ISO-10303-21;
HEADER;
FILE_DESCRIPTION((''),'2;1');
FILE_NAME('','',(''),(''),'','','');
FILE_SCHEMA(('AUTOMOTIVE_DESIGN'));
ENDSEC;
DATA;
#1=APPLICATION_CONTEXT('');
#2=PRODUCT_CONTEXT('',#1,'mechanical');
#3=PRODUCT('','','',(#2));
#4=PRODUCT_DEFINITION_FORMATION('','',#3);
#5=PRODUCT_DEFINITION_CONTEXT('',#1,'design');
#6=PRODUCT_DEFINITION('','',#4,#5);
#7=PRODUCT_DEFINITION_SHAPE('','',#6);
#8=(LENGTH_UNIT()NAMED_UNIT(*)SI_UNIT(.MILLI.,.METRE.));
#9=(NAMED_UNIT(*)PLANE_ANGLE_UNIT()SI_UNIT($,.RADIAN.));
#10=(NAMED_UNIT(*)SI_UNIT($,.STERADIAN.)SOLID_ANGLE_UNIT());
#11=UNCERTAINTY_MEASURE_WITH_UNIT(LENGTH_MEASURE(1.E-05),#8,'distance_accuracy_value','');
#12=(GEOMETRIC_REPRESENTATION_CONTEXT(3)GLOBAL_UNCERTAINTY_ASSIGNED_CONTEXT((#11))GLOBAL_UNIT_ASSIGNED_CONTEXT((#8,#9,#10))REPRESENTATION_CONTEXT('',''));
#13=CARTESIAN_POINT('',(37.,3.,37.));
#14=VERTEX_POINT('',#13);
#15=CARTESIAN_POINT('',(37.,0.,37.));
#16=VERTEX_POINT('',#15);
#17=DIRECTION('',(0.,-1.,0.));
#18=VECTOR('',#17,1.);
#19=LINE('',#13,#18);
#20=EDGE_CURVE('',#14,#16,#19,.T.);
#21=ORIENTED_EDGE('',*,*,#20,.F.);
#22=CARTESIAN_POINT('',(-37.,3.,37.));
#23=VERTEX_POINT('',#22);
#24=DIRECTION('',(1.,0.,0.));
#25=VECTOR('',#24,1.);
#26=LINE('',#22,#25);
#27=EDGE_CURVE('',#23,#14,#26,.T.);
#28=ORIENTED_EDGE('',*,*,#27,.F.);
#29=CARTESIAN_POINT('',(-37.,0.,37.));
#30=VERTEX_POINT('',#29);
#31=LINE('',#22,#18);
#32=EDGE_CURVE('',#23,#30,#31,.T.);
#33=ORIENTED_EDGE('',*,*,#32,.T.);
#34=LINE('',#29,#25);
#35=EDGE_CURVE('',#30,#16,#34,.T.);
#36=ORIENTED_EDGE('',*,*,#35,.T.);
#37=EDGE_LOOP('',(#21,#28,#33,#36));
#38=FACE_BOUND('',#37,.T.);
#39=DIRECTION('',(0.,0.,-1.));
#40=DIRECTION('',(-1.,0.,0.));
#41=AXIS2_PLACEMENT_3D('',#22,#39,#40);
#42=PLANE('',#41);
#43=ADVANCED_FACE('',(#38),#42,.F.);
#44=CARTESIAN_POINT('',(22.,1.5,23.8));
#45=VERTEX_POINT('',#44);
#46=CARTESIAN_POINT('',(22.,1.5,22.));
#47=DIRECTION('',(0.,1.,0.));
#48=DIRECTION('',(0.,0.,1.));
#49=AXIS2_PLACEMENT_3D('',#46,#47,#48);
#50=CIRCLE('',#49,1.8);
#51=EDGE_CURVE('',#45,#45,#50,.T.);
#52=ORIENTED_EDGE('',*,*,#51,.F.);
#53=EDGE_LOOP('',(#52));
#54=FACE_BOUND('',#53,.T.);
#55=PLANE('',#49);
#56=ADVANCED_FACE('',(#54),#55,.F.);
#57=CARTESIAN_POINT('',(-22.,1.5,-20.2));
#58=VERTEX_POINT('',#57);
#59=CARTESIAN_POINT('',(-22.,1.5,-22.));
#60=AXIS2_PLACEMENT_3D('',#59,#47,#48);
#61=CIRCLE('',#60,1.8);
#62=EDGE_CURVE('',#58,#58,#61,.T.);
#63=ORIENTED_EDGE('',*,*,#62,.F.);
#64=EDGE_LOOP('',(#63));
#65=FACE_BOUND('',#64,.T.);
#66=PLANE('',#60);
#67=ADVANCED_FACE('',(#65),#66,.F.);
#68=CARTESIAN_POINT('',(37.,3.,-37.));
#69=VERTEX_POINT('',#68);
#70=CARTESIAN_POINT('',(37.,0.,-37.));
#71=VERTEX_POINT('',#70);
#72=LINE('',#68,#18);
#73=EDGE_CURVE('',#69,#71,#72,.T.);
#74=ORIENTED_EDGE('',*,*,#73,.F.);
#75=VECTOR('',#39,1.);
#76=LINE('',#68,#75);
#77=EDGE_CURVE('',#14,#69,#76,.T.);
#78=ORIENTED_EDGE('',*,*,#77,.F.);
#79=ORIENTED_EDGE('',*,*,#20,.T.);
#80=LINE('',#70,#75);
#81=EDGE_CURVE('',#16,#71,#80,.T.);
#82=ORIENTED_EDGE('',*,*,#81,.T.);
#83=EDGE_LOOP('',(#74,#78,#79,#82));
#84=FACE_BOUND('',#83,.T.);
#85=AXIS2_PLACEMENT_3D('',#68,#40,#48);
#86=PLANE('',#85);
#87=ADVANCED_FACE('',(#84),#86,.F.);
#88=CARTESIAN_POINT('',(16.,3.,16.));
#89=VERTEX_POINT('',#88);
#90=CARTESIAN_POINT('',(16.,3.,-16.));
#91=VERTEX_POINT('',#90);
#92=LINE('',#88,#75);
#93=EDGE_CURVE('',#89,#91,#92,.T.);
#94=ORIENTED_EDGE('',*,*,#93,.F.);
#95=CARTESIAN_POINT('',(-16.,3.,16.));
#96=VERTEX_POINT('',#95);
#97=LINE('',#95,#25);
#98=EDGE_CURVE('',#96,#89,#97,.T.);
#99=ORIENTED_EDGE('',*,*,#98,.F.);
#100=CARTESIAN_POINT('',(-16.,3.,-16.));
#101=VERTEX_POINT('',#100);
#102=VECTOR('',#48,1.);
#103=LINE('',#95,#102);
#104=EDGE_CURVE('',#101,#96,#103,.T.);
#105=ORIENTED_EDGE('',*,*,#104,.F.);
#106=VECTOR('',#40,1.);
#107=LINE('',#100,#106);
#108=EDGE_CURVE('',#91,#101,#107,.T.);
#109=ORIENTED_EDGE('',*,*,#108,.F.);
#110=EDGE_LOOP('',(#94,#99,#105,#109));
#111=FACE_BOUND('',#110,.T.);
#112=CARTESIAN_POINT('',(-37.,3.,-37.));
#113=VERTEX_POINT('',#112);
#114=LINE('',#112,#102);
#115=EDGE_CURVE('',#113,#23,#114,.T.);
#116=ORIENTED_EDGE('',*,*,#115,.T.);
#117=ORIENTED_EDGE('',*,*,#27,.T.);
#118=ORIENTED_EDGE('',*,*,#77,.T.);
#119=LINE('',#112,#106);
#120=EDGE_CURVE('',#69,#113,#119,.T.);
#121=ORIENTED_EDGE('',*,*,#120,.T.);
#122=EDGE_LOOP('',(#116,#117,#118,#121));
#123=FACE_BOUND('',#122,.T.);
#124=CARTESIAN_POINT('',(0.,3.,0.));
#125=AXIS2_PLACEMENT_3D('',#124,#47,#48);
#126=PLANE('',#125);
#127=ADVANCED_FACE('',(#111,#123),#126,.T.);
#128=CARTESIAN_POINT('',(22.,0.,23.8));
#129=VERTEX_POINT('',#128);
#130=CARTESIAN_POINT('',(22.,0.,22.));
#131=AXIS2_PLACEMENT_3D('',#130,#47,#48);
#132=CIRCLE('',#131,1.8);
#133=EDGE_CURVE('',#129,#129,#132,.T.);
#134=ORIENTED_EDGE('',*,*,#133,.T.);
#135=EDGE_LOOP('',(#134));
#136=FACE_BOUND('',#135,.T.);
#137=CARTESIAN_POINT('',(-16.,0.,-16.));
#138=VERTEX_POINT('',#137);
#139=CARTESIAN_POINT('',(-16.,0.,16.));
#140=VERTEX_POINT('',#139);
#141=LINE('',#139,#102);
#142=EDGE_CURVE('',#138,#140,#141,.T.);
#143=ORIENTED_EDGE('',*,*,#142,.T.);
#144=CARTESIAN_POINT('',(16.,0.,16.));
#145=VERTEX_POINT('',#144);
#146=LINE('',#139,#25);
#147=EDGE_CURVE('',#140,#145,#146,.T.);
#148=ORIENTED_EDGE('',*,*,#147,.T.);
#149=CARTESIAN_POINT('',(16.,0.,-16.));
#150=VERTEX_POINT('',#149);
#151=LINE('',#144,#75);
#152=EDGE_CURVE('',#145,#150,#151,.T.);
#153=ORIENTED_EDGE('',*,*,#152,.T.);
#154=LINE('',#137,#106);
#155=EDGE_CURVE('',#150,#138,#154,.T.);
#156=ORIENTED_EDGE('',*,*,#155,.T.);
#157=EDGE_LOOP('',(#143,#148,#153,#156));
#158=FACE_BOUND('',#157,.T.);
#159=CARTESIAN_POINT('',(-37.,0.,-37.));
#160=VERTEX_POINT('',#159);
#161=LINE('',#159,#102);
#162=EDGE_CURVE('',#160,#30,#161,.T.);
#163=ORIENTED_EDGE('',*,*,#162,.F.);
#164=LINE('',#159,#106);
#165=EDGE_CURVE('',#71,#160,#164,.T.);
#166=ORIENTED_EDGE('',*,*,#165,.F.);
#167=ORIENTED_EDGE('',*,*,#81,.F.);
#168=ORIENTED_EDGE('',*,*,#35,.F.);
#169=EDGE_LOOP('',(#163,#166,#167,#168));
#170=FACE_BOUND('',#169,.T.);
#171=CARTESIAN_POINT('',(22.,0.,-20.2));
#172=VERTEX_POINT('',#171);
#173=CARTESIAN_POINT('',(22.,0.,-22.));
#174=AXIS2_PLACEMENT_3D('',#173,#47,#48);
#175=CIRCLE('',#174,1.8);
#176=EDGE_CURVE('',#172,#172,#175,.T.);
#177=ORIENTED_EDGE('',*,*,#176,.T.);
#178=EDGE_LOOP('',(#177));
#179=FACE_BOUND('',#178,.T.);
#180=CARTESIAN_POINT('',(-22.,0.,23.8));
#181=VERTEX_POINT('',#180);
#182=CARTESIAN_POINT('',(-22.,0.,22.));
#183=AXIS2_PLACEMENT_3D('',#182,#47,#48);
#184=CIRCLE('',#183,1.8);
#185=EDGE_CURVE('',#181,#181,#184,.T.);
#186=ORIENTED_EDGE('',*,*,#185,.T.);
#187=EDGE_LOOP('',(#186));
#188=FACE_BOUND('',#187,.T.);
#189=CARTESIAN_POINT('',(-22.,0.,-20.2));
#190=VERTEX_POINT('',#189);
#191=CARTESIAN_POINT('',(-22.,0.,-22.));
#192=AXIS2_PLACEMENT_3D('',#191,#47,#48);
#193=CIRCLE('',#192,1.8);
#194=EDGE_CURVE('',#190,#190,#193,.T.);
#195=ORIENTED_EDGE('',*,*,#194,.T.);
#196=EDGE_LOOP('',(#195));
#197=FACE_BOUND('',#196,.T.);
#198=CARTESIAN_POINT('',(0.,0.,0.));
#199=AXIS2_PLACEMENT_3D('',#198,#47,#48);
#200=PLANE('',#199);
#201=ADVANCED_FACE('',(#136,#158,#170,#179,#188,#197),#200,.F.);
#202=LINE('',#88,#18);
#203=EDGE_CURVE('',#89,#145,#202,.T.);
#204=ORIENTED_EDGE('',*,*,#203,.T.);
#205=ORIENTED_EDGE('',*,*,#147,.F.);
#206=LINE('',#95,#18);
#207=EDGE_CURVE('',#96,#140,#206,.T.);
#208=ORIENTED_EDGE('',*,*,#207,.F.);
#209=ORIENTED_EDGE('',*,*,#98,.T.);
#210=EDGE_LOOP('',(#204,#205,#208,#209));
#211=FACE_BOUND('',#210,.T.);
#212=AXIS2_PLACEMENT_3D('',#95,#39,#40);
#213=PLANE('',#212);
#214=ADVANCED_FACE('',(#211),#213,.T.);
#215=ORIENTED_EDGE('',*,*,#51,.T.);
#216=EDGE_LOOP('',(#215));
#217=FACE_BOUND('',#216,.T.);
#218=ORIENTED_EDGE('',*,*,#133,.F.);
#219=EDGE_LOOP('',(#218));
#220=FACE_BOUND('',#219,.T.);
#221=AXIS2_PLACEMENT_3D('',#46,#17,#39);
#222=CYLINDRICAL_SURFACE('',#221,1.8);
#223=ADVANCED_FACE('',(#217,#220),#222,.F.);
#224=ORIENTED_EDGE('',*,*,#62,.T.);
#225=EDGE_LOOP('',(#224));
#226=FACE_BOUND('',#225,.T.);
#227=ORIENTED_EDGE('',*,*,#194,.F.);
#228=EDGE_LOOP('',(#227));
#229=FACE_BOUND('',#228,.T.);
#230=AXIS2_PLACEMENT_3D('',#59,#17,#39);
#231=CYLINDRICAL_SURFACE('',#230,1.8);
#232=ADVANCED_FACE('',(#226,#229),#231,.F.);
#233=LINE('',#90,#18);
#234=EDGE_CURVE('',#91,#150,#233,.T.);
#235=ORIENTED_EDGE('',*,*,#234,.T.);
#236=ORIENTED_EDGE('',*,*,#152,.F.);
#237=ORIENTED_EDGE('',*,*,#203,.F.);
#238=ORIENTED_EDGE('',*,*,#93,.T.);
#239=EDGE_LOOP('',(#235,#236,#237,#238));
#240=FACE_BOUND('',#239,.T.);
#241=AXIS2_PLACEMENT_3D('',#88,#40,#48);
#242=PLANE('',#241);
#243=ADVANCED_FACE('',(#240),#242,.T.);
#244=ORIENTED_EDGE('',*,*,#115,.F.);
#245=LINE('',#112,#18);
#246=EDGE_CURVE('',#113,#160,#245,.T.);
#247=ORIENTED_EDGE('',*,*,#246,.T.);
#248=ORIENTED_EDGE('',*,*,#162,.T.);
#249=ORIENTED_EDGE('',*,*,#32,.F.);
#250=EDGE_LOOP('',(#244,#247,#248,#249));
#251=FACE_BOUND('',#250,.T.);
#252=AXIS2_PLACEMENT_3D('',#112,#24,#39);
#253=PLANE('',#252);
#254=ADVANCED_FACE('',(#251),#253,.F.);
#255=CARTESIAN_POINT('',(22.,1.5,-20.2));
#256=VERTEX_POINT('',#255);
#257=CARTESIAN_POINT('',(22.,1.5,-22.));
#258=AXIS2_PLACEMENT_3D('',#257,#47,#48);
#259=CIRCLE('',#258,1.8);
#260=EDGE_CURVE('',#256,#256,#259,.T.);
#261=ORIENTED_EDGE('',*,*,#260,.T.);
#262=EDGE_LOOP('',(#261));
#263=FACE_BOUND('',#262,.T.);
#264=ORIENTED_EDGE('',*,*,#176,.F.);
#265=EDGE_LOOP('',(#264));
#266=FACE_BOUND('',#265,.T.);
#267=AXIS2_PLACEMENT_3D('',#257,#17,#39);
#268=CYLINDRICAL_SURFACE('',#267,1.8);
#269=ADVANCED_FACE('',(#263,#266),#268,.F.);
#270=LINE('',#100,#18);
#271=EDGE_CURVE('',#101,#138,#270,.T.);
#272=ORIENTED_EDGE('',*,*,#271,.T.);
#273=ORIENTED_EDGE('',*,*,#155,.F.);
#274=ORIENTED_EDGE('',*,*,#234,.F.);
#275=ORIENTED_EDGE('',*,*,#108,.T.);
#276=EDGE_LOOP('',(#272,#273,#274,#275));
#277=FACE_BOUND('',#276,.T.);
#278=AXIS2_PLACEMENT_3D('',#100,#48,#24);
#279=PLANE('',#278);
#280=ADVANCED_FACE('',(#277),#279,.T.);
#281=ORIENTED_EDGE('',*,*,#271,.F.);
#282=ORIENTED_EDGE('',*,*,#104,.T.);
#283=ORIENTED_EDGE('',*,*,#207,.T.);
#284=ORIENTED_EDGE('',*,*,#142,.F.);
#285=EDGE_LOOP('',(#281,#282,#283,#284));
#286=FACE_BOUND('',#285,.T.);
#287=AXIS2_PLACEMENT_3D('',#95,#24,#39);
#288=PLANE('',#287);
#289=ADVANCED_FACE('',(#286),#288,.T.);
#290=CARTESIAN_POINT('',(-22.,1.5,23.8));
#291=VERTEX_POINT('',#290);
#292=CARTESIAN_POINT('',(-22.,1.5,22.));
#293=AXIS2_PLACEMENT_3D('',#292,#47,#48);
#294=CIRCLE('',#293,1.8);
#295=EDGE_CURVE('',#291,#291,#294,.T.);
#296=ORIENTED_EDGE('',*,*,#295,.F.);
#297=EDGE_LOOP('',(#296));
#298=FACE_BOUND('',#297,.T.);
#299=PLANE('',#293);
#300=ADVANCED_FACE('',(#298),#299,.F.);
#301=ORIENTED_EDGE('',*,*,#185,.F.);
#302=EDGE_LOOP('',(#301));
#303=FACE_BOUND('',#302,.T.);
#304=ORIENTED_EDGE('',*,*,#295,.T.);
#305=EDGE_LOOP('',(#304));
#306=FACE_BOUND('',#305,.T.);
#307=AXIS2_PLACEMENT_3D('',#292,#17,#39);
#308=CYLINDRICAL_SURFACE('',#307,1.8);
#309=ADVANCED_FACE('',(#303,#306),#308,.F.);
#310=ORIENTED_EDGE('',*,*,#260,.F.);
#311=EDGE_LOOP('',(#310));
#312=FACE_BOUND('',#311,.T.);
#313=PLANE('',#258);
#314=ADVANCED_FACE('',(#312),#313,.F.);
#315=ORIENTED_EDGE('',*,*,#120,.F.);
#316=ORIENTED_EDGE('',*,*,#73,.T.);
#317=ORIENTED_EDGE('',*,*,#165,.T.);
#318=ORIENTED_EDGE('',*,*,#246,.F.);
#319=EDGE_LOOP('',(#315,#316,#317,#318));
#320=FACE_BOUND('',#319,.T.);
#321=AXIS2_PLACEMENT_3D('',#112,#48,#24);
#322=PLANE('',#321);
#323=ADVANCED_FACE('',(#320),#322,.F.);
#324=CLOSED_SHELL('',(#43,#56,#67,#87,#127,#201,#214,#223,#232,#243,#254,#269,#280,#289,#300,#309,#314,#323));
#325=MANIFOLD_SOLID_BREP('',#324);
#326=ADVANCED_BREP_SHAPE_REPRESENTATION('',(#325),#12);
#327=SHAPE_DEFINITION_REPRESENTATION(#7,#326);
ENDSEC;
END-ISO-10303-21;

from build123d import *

# Parameters (mm, degrees)
SKETCH1_W           = 74
SKETCH1_H           = 74
SKETCH1_W_2         = 32
SKETCH1_H_2         = 32
BOSS_EXTRUDE1_DEPTH = 3
SKETCH3_R           = 1.8
CUT_EXTRUDE1_DEPTH  = 1.5


with BuildPart() as part:
    # Sketch1 → Boss-Extrude1 (new body)
    with BuildSketch(Plane(origin=(0, 0, 0), x_dir=(1, 0, 0), z_dir=(0, 1, 0))):
        Rectangle(SKETCH1_W, SKETCH1_H)
        Rectangle(SKETCH1_W_2, SKETCH1_H_2, mode=Mode.SUBTRACT)
    extrude(amount=BOSS_EXTRUDE1_DEPTH)

    # Sketch3 → Cut-Extrude1 (cut)
    with BuildSketch(Plane(origin=(0, 0, 0), x_dir=(1, 0, 0), z_dir=(0, 1, 0))):
        with Locations((-22, 22)):
            Circle(SKETCH3_R)
        with Locations((22, 22)):
            Circle(SKETCH3_R)
        with Locations((22, -22)):
            Circle(SKETCH3_R)
        with Locations((-22, -22)):
            Circle(SKETCH3_R)
    extrude(amount=CUT_EXTRUDE1_DEPTH, mode=Mode.SUBTRACT)


solid = part.part
